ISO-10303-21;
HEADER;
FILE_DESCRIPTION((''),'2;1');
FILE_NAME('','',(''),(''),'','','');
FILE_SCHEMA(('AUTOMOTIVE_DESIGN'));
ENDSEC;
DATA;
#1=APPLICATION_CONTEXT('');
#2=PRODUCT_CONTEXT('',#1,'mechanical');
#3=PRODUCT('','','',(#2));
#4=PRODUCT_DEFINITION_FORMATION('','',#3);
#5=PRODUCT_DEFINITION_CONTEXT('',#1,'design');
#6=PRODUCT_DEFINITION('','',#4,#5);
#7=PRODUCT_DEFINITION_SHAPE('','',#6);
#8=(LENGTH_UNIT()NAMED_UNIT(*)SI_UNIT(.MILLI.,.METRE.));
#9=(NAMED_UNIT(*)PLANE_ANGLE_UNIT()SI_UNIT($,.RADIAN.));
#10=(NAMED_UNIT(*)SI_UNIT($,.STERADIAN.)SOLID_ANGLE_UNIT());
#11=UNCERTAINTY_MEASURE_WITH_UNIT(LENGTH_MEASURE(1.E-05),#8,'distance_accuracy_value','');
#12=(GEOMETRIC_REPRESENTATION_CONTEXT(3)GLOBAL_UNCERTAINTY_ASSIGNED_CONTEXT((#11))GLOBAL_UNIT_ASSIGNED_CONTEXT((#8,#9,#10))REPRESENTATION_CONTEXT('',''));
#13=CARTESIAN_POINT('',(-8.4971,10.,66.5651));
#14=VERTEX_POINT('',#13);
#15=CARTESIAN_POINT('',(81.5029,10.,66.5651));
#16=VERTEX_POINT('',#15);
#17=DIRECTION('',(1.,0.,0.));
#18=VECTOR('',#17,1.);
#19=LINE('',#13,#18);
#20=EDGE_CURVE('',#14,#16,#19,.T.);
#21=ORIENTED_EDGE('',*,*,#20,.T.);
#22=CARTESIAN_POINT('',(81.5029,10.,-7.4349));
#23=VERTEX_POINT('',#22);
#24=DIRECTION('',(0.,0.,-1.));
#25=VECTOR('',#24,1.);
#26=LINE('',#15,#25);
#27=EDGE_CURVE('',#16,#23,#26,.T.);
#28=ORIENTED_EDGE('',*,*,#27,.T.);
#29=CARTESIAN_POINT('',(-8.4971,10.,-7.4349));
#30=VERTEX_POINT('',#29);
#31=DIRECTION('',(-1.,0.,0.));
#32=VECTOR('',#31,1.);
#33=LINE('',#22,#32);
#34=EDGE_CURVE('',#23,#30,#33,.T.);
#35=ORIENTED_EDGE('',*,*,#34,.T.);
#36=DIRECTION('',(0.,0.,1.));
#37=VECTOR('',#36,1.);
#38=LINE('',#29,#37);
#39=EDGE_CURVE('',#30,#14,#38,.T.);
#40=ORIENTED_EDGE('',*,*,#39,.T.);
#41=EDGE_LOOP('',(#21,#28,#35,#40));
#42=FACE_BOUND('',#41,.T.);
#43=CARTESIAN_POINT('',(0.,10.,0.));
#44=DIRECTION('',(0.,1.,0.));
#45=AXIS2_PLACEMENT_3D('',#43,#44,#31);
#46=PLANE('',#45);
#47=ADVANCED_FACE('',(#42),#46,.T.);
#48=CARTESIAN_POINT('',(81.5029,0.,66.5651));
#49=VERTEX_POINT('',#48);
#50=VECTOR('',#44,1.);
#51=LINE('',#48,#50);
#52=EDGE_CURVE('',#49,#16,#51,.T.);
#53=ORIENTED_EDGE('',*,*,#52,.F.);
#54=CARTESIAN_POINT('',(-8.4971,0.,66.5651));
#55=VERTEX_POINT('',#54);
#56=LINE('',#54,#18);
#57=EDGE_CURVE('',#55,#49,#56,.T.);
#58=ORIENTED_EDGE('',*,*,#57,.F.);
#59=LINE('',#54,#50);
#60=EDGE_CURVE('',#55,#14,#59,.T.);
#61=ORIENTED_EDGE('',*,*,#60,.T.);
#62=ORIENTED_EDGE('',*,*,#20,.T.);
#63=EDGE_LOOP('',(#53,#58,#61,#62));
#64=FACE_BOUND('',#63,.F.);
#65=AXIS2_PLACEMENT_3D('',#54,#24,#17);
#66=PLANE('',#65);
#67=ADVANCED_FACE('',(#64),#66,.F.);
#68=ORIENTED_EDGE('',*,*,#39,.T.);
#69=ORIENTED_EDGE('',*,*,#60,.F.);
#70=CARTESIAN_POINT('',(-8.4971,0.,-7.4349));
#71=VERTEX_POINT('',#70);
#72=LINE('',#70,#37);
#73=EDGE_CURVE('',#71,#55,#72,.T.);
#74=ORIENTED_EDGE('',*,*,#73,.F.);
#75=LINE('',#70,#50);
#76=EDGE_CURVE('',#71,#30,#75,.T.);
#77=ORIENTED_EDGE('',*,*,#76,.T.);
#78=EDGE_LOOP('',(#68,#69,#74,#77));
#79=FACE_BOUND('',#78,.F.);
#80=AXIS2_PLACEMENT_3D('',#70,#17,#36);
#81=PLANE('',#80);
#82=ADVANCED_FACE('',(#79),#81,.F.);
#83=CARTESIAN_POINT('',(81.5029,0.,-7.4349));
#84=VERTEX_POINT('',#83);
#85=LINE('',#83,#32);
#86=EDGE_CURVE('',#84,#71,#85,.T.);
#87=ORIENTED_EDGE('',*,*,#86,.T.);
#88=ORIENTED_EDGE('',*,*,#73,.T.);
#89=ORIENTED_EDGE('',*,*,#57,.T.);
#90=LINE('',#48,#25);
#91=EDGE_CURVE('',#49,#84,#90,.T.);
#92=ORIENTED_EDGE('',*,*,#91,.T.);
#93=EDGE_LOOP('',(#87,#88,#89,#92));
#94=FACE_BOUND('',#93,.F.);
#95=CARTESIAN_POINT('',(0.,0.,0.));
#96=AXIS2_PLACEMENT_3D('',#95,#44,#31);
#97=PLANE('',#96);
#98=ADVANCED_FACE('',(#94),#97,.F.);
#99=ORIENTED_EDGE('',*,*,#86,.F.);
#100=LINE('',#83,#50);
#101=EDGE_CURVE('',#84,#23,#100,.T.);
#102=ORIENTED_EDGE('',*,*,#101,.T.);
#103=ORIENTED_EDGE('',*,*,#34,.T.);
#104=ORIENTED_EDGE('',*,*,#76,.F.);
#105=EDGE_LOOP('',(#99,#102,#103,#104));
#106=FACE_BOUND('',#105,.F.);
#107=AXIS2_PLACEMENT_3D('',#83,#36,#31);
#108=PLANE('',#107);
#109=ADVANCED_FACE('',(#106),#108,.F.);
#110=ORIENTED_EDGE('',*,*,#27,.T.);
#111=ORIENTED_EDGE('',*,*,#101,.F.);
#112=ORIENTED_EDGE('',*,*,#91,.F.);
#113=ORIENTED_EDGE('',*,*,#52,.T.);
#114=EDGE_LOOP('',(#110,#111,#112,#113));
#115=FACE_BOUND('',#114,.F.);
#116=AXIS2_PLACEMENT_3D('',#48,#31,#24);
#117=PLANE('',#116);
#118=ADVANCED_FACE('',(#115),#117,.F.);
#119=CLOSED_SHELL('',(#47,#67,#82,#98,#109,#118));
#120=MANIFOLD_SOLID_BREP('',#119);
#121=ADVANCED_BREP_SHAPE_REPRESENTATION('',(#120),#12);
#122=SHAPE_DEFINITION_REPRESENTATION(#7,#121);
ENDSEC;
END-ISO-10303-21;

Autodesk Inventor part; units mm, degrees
ref_plane "YZ Plane" through (0, 0, 0) normal (1, 0, 0) x (0, 1, 0)
ref_plane "XZ Plane" through (0, 0, 0) normal (0, 1, 0) x (-1, 0, 0)
ref_plane "XY Plane" through (0, 0, 0) normal (0, 0, 1) x (1, 0, 0)
sketch "Skizze1" plane through (0, 0, 0) normal (0, 1, 0) x (-1, 0, 0)
  line L0 (8.4971, 66.5651) -> (-81.5029, 66.5651)
  line L1 (-81.5029, 66.5651) -> (-81.5029, -7.4349)
  line L2 (-81.5029, -7.4349) -> (8.4971, -7.4349)
  line L3 (8.4971, -7.4349) -> (8.4971, 66.5651)
  point P0 (0, 0)
  dimension "d0" = 74
  dimension "d1" = 90
extrude "Extrusion1" add sketch "Skizze1" along normal blind 10
properties part number "Gegenstück_Magnet" material "Eisen, schmiedbar"
